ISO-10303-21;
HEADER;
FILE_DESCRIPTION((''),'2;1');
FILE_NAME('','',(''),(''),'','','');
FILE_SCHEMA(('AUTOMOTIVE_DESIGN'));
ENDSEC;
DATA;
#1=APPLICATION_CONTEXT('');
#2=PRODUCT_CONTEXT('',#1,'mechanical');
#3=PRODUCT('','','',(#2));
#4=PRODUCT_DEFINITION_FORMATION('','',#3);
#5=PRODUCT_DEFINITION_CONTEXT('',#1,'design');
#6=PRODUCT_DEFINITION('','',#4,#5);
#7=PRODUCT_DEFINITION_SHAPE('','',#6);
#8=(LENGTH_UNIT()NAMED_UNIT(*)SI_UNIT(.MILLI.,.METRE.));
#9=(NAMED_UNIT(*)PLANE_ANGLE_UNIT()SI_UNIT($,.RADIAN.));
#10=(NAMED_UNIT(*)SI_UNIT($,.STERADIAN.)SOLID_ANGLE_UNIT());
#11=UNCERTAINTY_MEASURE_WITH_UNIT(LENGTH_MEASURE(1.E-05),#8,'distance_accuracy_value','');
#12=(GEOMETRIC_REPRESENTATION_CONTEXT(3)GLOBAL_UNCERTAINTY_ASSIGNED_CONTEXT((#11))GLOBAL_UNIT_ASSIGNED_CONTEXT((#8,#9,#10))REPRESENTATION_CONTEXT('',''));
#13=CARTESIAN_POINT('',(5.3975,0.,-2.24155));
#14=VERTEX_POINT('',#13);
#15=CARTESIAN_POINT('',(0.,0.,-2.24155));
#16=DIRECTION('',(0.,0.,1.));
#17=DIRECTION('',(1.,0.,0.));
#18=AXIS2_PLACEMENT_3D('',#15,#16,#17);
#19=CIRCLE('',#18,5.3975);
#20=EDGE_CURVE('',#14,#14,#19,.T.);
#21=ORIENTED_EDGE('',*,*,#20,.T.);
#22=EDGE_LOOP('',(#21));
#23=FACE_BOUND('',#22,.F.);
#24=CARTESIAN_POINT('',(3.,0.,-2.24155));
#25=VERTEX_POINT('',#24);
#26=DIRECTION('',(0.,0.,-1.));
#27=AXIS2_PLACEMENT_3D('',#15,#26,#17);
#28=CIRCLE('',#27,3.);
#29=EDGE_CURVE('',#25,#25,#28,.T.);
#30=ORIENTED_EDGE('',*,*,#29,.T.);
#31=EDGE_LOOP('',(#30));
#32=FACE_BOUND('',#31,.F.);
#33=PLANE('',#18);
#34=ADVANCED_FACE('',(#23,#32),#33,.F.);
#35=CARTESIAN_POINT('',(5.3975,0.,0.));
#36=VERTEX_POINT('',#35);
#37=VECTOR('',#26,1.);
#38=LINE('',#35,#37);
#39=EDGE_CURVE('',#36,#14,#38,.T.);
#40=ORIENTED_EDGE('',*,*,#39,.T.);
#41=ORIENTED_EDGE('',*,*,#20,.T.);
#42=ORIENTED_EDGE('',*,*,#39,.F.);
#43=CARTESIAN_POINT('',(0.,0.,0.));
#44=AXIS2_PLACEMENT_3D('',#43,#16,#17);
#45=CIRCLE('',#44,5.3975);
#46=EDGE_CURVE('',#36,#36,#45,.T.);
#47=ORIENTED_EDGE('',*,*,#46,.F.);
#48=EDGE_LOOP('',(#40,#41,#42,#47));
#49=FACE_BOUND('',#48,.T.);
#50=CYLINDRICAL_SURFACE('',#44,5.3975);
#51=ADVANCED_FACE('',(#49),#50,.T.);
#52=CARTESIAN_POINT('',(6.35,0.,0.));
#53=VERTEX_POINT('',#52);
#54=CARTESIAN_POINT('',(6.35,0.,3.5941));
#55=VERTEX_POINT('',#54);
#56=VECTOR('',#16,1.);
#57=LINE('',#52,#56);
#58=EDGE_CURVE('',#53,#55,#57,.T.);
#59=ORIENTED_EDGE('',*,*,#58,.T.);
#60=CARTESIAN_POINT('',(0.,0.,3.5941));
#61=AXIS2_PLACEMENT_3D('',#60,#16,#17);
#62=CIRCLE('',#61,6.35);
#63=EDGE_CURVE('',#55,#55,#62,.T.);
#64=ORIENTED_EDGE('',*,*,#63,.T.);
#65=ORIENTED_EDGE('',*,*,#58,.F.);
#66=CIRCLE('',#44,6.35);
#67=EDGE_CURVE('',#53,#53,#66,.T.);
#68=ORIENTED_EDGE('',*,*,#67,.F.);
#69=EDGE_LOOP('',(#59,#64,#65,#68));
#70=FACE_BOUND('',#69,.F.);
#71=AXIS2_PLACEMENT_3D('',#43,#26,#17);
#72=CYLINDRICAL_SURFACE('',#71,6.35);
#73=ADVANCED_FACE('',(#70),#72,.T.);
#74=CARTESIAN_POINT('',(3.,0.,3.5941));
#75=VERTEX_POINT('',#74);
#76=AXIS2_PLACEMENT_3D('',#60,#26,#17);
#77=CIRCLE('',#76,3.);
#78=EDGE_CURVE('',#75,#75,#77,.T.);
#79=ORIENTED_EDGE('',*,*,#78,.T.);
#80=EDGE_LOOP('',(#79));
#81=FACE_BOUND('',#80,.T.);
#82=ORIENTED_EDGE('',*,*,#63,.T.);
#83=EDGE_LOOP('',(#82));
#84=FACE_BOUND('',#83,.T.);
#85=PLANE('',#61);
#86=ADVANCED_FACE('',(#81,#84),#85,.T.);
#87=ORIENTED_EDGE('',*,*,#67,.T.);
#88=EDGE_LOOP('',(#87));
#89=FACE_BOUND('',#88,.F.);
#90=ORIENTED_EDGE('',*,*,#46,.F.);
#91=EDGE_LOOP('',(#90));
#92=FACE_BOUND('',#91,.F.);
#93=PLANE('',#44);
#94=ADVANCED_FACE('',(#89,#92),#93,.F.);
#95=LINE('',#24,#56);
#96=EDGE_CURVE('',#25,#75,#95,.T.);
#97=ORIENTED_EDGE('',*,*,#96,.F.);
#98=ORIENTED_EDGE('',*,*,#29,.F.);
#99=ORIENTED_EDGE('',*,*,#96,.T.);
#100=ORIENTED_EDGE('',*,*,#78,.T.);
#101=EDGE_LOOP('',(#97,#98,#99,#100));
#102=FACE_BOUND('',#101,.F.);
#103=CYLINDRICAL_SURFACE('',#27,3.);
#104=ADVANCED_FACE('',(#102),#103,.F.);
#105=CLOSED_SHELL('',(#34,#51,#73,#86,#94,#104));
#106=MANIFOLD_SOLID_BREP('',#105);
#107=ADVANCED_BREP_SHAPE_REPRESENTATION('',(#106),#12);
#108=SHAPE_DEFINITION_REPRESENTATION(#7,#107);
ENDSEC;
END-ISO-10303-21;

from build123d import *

# Parameters (mm, degrees)
F0_R     = 12.7
F1_DEPTH = 7.1882
F2_R     = 10.795
F3_DEPTH = 4.4831
F4_R     = 6
F5_DEPTH = 25.4
F6_SCALE = 0.5


with BuildPart() as f1:
    # F0 (on Top) → F1 (new body)
    with BuildSketch(Plane.XY):
        Circle(F0_R)
    extrude(amount=F1_DEPTH)

    # F2 (on face) → F3 (join)
    with BuildSketch(Plane.XY):
        Circle(F2_R)
    extrude(amount=-F3_DEPTH)

    # F4 (on face) → F5 (cut)
    with BuildSketch(Plane(origin=(0, 0, -4.4831), x_dir=(1, 0, 0), z_dir=(0, 0, -1))):
        Circle(F4_R)
    extrude(amount=-F5_DEPTH, mode=Mode.SUBTRACT)


with BuildPart() as f1_1:
    # F6: moved
    add(f1.part.scale(F6_SCALE))


solid = f1_1.part
